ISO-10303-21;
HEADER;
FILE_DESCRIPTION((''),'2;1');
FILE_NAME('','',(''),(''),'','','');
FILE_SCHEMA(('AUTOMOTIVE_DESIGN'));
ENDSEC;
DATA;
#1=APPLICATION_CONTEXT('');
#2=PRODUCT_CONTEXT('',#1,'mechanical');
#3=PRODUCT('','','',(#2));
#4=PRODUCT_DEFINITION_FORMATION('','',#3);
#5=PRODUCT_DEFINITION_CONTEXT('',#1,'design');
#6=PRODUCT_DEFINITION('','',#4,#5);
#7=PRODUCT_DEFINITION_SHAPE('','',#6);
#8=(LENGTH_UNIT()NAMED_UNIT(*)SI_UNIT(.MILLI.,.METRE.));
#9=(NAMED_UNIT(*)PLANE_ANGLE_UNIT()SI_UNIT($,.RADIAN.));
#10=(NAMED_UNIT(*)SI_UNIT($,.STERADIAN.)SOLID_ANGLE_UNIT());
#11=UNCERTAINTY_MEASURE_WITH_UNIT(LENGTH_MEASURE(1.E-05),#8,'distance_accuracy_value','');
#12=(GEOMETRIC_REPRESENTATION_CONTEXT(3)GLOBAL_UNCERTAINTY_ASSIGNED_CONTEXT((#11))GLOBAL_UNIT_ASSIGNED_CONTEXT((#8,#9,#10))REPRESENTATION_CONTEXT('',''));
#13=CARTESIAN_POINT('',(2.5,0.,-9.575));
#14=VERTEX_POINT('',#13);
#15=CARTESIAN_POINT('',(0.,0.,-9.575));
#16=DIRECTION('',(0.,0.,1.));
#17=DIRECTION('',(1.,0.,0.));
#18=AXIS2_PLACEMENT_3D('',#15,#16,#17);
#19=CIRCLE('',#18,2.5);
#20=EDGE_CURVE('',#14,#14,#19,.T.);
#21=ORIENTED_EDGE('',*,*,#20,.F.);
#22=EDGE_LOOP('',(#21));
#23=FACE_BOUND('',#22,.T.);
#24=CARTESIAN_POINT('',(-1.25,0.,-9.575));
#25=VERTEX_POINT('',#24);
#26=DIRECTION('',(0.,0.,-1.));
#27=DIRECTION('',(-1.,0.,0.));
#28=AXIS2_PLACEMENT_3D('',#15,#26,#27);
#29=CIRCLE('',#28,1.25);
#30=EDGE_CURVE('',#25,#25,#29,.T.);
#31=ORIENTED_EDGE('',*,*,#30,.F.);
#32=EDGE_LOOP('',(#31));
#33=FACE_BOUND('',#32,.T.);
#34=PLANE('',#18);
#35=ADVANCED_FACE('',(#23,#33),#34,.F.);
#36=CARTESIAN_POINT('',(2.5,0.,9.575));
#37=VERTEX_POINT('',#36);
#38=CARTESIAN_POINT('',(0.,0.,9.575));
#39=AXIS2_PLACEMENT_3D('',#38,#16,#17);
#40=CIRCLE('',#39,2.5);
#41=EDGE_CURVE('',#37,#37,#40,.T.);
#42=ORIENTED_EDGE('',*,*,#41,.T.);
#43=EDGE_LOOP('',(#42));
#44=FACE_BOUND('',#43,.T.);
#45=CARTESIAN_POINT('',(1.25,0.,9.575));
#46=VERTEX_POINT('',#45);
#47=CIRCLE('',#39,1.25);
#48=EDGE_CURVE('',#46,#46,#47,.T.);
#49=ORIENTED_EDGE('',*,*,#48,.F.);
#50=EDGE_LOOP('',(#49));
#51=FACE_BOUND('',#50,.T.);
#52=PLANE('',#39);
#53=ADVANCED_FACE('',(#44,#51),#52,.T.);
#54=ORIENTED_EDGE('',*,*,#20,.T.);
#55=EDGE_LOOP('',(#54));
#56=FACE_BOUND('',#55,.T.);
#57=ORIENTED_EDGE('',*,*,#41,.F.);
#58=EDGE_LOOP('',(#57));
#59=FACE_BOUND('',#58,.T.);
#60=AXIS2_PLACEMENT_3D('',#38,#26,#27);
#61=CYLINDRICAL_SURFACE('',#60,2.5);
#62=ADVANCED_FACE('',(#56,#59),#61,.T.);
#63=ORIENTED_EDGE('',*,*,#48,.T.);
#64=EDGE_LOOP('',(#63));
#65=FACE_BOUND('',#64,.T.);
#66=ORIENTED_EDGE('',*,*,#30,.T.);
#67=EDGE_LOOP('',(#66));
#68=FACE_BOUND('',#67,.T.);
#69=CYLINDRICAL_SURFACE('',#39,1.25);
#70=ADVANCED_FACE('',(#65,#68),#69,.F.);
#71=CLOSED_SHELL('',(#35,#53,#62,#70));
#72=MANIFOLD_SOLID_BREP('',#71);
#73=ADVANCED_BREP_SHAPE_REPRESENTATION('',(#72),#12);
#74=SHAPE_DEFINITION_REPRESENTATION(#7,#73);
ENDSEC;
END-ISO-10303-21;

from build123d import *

# Parameters (mm, degrees)
SKETCH1_R                 = 2.5
BOSS_EXTRUDE1_DEPTH       = 9.575
M3X0_5_TAPPED_HOLE1_D     = 2.5
M3X0_5_TAPPED_HOLE1_DEPTH = 9.575


with BuildPart() as part:
    # Sketch1 → Boss-Extrude1 (new, symmetric)
    with BuildSketch(Plane.XY):
        Circle(SKETCH1_R)
    extrude(amount=BOSS_EXTRUDE1_DEPTH, both=True)

    # M3x0.5 Tapped Hole1
    with Locations(Plane.XY.offset(9.575)):
        with Locations((0, 0)):
            m3x0_5_tapped_hole1 = Hole(M3X0_5_TAPPED_HOLE1_D / 2, depth=M3X0_5_TAPPED_HOLE1_DEPTH)

    # Mirror1: M3x0.5 Tapped Hole1 across plane
    add(m3x0_5_tapped_hole1.mirror(Plane.XY), mode=Mode.SUBTRACT)


solid = part.part
